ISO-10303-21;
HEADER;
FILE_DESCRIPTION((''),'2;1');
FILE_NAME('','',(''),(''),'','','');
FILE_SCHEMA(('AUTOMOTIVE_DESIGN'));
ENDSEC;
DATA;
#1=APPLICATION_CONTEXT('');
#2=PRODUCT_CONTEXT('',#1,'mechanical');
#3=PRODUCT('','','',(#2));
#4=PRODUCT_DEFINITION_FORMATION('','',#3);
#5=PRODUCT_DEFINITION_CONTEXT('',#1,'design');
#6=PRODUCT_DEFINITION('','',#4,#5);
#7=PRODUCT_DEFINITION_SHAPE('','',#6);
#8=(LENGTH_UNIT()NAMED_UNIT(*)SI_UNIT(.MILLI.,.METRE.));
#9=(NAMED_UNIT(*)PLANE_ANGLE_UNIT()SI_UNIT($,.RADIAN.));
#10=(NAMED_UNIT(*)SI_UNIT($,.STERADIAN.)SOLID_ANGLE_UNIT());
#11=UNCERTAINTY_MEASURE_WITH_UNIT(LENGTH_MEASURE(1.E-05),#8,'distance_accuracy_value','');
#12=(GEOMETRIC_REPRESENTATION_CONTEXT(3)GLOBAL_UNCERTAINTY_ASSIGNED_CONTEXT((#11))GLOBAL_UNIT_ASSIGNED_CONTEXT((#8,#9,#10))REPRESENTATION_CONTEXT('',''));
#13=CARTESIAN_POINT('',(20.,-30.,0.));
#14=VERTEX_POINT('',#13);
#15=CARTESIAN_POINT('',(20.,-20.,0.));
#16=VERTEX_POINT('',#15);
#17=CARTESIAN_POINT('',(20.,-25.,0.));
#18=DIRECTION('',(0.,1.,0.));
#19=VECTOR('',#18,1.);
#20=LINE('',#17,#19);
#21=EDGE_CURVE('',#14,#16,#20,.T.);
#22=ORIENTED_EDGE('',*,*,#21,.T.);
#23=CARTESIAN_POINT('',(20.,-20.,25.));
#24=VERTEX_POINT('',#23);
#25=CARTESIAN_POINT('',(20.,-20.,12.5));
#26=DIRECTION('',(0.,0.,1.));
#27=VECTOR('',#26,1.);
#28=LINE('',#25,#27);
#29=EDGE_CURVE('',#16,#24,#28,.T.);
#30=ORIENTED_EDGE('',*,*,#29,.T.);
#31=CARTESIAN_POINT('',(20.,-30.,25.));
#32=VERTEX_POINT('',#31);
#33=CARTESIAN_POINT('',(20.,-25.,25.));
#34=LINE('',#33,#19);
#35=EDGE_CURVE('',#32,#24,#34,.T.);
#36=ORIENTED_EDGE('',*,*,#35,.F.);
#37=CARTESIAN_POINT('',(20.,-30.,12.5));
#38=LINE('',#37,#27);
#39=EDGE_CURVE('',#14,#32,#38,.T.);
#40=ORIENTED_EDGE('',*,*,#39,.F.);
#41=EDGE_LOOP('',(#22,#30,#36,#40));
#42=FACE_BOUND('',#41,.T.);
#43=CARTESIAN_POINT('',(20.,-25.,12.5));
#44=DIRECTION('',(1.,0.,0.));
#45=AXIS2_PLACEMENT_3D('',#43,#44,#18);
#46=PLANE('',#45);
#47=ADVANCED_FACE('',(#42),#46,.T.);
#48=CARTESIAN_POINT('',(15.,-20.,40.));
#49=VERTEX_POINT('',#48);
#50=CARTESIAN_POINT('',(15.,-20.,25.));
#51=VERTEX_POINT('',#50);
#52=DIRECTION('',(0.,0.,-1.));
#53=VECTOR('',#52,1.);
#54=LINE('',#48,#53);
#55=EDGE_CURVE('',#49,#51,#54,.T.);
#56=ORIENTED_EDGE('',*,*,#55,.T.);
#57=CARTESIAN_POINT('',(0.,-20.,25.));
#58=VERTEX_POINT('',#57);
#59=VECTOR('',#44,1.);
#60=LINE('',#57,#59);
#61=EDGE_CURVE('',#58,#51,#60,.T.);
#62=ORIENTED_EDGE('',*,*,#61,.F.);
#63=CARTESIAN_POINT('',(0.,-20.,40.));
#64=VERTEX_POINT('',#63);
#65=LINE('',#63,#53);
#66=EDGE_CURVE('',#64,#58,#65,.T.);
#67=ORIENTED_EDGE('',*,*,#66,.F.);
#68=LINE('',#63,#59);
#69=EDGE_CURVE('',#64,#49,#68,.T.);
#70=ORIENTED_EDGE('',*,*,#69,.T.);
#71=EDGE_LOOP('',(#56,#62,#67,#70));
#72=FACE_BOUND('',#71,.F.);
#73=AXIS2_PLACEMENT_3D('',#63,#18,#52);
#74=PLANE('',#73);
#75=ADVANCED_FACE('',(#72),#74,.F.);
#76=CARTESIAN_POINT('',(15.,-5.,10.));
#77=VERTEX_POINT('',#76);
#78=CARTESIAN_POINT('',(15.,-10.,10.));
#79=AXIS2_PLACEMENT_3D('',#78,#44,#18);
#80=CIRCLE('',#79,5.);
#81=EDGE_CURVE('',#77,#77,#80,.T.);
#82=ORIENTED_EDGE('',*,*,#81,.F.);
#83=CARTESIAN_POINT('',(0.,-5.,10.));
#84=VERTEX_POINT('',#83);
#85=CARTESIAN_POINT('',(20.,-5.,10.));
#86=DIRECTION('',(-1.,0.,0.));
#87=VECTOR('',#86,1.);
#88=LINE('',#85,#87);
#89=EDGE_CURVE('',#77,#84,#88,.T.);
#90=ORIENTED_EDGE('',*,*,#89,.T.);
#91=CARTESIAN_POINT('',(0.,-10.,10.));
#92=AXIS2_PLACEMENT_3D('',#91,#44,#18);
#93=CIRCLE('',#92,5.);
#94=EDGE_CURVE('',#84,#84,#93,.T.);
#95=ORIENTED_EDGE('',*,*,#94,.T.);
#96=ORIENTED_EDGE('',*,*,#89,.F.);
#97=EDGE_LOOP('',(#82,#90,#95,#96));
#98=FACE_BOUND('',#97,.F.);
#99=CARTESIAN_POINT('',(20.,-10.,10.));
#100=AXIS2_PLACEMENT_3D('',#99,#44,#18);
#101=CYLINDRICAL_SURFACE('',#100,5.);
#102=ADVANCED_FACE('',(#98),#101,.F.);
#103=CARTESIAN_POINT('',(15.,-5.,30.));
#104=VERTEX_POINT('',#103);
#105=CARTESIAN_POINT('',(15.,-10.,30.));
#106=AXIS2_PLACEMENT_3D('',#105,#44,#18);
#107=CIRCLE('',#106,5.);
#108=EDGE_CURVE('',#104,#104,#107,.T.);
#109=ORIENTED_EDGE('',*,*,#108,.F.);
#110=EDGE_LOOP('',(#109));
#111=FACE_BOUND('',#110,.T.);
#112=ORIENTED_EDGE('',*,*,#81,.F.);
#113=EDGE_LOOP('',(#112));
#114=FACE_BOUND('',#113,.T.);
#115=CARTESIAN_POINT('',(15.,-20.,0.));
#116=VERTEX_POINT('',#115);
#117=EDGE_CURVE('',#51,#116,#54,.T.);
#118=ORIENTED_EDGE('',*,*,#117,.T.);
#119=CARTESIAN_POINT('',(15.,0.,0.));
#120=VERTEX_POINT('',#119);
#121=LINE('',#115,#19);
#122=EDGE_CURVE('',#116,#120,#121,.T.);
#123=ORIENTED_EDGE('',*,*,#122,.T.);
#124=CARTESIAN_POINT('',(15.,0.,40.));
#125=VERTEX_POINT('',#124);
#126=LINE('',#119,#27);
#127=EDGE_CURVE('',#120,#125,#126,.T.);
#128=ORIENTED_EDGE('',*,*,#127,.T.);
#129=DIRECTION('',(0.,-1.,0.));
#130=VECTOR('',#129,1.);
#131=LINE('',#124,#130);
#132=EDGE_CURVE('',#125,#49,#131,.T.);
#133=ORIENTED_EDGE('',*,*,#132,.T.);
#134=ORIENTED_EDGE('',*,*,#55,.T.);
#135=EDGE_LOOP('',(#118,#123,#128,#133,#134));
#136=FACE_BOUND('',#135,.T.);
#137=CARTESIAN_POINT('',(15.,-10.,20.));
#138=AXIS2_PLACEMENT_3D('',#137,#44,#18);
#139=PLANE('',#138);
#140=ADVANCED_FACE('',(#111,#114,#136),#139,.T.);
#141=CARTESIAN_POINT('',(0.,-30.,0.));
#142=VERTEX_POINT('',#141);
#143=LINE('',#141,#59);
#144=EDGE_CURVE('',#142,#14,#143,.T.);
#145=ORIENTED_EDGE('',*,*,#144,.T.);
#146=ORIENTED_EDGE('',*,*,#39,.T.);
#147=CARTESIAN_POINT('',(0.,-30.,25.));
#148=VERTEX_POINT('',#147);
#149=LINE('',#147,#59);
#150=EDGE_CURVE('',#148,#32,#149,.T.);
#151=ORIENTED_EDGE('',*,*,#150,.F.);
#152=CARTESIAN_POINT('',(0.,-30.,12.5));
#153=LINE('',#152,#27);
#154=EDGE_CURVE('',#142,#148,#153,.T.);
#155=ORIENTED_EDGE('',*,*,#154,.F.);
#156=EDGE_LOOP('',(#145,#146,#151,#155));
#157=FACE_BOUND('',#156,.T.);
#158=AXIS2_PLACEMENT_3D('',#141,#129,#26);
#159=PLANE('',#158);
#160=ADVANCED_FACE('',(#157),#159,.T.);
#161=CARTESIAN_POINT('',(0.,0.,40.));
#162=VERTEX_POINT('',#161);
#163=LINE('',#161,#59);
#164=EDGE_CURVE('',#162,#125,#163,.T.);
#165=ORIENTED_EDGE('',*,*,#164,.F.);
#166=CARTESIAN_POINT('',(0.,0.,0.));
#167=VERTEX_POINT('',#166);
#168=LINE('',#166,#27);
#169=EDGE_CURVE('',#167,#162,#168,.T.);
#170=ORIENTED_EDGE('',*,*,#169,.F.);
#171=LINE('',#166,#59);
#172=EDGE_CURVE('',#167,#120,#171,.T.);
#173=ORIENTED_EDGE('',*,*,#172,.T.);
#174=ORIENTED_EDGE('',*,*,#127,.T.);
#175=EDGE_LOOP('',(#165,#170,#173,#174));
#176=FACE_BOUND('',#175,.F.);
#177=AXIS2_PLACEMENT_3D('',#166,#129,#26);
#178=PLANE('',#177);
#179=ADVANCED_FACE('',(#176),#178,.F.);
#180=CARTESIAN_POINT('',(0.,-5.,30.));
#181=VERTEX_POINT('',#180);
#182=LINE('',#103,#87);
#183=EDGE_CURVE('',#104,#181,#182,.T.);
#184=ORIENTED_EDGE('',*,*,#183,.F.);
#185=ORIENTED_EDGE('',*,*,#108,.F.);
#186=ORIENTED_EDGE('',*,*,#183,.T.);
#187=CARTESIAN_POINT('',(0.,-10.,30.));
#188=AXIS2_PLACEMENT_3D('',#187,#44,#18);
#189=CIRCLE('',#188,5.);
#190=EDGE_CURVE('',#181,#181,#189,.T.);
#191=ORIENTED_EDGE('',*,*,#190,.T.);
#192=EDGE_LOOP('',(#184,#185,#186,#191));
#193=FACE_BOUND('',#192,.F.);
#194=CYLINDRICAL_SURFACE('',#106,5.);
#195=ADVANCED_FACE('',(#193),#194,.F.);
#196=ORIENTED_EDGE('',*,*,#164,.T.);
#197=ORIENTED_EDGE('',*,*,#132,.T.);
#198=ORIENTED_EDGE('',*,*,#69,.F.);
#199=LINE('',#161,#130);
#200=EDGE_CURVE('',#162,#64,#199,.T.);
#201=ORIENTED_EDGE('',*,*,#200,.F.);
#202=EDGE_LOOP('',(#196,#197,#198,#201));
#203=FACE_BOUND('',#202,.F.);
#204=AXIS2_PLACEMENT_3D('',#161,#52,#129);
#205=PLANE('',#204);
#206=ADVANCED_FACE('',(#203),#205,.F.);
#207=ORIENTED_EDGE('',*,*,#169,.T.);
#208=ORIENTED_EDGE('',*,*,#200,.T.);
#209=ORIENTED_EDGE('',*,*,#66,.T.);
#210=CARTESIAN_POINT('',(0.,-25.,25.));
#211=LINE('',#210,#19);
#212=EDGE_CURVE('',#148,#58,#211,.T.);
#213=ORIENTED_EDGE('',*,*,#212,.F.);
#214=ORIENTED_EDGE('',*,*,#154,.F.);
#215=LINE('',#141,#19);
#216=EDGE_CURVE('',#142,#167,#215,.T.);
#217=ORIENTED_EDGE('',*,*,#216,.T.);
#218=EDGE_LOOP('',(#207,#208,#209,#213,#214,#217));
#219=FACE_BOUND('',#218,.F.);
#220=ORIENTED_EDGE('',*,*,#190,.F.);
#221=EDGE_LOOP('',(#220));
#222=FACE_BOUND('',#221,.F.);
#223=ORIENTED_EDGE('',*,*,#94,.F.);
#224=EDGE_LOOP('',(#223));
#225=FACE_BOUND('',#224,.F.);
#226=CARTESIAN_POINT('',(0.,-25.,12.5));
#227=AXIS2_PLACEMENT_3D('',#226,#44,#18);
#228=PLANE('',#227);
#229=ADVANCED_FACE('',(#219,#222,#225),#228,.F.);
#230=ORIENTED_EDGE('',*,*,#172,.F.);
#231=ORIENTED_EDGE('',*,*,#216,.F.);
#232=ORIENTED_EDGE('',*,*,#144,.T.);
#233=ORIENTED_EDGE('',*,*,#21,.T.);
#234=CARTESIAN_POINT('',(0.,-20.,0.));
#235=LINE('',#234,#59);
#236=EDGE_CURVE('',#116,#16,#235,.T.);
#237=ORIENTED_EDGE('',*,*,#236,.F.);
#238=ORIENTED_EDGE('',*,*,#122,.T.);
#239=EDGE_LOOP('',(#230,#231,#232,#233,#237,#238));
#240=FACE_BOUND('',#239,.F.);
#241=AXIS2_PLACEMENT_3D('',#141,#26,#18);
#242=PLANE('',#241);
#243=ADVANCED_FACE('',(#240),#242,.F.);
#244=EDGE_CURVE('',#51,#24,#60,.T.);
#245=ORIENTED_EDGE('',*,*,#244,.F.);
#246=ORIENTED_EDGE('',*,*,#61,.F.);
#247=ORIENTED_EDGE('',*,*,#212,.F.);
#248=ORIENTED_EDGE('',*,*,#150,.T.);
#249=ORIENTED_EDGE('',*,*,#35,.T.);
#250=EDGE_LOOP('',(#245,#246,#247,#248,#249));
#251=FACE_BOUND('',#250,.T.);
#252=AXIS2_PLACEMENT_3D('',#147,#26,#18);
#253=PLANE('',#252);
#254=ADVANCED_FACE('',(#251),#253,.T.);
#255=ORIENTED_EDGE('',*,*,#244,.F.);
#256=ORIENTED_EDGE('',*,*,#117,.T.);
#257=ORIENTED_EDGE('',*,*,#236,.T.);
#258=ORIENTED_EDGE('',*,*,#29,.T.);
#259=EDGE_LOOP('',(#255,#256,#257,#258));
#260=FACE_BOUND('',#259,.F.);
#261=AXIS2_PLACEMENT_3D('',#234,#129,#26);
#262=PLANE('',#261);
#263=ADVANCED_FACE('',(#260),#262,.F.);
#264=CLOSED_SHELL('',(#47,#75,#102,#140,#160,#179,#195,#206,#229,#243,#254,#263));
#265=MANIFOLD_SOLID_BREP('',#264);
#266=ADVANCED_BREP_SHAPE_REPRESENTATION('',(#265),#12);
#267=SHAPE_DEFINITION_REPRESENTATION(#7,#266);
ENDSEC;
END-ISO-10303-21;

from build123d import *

# Parameters (mm, degrees)
F0_R     = 5
F1_DEPTH = 15
F0_W     = 10
F0_H     = 25
F2_DEPTH = 20
F4_DEPTH = 20
F3_R     = 5
F5_DEPTH = 15


with BuildPart() as f1:
    # F0 (on Right) → F1 (new body)
    with BuildSketch(Plane.YZ):
        Polygon((-20, 0), (0, 0), (0, 40), (-20, 40), (-20, 25), align=None)
        with Locations((-10, 10)):
            Circle(F0_R, mode=Mode.SUBTRACT)
    extrude(amount=F1_DEPTH)

    # F0 (on Right) → F2 (join)
    with BuildSketch(Plane.YZ):
        with Locations((-25, 12.5)):
            Rectangle(F0_W, F0_H)
        with Locations((-10, 10)):
            Circle(F0_R)
    extrude(amount=F2_DEPTH)

    # F4 (cut, through all): a face of the model
    f4_faces = [f1.faces().sort_by_distance(p)[0] for p in [
        (20, -10, 10),
    ]]
    extrude(f4_faces, amount=-F4_DEPTH, mode=Mode.SUBTRACT)

    # F3 (on face) → F5 (cut, through all)
    with BuildSketch(Plane.YZ.offset(15)):
        with Locations((-10, 30)):
            Circle(F3_R)
    extrude(amount=-F5_DEPTH, mode=Mode.SUBTRACT)


solid = f1.part
